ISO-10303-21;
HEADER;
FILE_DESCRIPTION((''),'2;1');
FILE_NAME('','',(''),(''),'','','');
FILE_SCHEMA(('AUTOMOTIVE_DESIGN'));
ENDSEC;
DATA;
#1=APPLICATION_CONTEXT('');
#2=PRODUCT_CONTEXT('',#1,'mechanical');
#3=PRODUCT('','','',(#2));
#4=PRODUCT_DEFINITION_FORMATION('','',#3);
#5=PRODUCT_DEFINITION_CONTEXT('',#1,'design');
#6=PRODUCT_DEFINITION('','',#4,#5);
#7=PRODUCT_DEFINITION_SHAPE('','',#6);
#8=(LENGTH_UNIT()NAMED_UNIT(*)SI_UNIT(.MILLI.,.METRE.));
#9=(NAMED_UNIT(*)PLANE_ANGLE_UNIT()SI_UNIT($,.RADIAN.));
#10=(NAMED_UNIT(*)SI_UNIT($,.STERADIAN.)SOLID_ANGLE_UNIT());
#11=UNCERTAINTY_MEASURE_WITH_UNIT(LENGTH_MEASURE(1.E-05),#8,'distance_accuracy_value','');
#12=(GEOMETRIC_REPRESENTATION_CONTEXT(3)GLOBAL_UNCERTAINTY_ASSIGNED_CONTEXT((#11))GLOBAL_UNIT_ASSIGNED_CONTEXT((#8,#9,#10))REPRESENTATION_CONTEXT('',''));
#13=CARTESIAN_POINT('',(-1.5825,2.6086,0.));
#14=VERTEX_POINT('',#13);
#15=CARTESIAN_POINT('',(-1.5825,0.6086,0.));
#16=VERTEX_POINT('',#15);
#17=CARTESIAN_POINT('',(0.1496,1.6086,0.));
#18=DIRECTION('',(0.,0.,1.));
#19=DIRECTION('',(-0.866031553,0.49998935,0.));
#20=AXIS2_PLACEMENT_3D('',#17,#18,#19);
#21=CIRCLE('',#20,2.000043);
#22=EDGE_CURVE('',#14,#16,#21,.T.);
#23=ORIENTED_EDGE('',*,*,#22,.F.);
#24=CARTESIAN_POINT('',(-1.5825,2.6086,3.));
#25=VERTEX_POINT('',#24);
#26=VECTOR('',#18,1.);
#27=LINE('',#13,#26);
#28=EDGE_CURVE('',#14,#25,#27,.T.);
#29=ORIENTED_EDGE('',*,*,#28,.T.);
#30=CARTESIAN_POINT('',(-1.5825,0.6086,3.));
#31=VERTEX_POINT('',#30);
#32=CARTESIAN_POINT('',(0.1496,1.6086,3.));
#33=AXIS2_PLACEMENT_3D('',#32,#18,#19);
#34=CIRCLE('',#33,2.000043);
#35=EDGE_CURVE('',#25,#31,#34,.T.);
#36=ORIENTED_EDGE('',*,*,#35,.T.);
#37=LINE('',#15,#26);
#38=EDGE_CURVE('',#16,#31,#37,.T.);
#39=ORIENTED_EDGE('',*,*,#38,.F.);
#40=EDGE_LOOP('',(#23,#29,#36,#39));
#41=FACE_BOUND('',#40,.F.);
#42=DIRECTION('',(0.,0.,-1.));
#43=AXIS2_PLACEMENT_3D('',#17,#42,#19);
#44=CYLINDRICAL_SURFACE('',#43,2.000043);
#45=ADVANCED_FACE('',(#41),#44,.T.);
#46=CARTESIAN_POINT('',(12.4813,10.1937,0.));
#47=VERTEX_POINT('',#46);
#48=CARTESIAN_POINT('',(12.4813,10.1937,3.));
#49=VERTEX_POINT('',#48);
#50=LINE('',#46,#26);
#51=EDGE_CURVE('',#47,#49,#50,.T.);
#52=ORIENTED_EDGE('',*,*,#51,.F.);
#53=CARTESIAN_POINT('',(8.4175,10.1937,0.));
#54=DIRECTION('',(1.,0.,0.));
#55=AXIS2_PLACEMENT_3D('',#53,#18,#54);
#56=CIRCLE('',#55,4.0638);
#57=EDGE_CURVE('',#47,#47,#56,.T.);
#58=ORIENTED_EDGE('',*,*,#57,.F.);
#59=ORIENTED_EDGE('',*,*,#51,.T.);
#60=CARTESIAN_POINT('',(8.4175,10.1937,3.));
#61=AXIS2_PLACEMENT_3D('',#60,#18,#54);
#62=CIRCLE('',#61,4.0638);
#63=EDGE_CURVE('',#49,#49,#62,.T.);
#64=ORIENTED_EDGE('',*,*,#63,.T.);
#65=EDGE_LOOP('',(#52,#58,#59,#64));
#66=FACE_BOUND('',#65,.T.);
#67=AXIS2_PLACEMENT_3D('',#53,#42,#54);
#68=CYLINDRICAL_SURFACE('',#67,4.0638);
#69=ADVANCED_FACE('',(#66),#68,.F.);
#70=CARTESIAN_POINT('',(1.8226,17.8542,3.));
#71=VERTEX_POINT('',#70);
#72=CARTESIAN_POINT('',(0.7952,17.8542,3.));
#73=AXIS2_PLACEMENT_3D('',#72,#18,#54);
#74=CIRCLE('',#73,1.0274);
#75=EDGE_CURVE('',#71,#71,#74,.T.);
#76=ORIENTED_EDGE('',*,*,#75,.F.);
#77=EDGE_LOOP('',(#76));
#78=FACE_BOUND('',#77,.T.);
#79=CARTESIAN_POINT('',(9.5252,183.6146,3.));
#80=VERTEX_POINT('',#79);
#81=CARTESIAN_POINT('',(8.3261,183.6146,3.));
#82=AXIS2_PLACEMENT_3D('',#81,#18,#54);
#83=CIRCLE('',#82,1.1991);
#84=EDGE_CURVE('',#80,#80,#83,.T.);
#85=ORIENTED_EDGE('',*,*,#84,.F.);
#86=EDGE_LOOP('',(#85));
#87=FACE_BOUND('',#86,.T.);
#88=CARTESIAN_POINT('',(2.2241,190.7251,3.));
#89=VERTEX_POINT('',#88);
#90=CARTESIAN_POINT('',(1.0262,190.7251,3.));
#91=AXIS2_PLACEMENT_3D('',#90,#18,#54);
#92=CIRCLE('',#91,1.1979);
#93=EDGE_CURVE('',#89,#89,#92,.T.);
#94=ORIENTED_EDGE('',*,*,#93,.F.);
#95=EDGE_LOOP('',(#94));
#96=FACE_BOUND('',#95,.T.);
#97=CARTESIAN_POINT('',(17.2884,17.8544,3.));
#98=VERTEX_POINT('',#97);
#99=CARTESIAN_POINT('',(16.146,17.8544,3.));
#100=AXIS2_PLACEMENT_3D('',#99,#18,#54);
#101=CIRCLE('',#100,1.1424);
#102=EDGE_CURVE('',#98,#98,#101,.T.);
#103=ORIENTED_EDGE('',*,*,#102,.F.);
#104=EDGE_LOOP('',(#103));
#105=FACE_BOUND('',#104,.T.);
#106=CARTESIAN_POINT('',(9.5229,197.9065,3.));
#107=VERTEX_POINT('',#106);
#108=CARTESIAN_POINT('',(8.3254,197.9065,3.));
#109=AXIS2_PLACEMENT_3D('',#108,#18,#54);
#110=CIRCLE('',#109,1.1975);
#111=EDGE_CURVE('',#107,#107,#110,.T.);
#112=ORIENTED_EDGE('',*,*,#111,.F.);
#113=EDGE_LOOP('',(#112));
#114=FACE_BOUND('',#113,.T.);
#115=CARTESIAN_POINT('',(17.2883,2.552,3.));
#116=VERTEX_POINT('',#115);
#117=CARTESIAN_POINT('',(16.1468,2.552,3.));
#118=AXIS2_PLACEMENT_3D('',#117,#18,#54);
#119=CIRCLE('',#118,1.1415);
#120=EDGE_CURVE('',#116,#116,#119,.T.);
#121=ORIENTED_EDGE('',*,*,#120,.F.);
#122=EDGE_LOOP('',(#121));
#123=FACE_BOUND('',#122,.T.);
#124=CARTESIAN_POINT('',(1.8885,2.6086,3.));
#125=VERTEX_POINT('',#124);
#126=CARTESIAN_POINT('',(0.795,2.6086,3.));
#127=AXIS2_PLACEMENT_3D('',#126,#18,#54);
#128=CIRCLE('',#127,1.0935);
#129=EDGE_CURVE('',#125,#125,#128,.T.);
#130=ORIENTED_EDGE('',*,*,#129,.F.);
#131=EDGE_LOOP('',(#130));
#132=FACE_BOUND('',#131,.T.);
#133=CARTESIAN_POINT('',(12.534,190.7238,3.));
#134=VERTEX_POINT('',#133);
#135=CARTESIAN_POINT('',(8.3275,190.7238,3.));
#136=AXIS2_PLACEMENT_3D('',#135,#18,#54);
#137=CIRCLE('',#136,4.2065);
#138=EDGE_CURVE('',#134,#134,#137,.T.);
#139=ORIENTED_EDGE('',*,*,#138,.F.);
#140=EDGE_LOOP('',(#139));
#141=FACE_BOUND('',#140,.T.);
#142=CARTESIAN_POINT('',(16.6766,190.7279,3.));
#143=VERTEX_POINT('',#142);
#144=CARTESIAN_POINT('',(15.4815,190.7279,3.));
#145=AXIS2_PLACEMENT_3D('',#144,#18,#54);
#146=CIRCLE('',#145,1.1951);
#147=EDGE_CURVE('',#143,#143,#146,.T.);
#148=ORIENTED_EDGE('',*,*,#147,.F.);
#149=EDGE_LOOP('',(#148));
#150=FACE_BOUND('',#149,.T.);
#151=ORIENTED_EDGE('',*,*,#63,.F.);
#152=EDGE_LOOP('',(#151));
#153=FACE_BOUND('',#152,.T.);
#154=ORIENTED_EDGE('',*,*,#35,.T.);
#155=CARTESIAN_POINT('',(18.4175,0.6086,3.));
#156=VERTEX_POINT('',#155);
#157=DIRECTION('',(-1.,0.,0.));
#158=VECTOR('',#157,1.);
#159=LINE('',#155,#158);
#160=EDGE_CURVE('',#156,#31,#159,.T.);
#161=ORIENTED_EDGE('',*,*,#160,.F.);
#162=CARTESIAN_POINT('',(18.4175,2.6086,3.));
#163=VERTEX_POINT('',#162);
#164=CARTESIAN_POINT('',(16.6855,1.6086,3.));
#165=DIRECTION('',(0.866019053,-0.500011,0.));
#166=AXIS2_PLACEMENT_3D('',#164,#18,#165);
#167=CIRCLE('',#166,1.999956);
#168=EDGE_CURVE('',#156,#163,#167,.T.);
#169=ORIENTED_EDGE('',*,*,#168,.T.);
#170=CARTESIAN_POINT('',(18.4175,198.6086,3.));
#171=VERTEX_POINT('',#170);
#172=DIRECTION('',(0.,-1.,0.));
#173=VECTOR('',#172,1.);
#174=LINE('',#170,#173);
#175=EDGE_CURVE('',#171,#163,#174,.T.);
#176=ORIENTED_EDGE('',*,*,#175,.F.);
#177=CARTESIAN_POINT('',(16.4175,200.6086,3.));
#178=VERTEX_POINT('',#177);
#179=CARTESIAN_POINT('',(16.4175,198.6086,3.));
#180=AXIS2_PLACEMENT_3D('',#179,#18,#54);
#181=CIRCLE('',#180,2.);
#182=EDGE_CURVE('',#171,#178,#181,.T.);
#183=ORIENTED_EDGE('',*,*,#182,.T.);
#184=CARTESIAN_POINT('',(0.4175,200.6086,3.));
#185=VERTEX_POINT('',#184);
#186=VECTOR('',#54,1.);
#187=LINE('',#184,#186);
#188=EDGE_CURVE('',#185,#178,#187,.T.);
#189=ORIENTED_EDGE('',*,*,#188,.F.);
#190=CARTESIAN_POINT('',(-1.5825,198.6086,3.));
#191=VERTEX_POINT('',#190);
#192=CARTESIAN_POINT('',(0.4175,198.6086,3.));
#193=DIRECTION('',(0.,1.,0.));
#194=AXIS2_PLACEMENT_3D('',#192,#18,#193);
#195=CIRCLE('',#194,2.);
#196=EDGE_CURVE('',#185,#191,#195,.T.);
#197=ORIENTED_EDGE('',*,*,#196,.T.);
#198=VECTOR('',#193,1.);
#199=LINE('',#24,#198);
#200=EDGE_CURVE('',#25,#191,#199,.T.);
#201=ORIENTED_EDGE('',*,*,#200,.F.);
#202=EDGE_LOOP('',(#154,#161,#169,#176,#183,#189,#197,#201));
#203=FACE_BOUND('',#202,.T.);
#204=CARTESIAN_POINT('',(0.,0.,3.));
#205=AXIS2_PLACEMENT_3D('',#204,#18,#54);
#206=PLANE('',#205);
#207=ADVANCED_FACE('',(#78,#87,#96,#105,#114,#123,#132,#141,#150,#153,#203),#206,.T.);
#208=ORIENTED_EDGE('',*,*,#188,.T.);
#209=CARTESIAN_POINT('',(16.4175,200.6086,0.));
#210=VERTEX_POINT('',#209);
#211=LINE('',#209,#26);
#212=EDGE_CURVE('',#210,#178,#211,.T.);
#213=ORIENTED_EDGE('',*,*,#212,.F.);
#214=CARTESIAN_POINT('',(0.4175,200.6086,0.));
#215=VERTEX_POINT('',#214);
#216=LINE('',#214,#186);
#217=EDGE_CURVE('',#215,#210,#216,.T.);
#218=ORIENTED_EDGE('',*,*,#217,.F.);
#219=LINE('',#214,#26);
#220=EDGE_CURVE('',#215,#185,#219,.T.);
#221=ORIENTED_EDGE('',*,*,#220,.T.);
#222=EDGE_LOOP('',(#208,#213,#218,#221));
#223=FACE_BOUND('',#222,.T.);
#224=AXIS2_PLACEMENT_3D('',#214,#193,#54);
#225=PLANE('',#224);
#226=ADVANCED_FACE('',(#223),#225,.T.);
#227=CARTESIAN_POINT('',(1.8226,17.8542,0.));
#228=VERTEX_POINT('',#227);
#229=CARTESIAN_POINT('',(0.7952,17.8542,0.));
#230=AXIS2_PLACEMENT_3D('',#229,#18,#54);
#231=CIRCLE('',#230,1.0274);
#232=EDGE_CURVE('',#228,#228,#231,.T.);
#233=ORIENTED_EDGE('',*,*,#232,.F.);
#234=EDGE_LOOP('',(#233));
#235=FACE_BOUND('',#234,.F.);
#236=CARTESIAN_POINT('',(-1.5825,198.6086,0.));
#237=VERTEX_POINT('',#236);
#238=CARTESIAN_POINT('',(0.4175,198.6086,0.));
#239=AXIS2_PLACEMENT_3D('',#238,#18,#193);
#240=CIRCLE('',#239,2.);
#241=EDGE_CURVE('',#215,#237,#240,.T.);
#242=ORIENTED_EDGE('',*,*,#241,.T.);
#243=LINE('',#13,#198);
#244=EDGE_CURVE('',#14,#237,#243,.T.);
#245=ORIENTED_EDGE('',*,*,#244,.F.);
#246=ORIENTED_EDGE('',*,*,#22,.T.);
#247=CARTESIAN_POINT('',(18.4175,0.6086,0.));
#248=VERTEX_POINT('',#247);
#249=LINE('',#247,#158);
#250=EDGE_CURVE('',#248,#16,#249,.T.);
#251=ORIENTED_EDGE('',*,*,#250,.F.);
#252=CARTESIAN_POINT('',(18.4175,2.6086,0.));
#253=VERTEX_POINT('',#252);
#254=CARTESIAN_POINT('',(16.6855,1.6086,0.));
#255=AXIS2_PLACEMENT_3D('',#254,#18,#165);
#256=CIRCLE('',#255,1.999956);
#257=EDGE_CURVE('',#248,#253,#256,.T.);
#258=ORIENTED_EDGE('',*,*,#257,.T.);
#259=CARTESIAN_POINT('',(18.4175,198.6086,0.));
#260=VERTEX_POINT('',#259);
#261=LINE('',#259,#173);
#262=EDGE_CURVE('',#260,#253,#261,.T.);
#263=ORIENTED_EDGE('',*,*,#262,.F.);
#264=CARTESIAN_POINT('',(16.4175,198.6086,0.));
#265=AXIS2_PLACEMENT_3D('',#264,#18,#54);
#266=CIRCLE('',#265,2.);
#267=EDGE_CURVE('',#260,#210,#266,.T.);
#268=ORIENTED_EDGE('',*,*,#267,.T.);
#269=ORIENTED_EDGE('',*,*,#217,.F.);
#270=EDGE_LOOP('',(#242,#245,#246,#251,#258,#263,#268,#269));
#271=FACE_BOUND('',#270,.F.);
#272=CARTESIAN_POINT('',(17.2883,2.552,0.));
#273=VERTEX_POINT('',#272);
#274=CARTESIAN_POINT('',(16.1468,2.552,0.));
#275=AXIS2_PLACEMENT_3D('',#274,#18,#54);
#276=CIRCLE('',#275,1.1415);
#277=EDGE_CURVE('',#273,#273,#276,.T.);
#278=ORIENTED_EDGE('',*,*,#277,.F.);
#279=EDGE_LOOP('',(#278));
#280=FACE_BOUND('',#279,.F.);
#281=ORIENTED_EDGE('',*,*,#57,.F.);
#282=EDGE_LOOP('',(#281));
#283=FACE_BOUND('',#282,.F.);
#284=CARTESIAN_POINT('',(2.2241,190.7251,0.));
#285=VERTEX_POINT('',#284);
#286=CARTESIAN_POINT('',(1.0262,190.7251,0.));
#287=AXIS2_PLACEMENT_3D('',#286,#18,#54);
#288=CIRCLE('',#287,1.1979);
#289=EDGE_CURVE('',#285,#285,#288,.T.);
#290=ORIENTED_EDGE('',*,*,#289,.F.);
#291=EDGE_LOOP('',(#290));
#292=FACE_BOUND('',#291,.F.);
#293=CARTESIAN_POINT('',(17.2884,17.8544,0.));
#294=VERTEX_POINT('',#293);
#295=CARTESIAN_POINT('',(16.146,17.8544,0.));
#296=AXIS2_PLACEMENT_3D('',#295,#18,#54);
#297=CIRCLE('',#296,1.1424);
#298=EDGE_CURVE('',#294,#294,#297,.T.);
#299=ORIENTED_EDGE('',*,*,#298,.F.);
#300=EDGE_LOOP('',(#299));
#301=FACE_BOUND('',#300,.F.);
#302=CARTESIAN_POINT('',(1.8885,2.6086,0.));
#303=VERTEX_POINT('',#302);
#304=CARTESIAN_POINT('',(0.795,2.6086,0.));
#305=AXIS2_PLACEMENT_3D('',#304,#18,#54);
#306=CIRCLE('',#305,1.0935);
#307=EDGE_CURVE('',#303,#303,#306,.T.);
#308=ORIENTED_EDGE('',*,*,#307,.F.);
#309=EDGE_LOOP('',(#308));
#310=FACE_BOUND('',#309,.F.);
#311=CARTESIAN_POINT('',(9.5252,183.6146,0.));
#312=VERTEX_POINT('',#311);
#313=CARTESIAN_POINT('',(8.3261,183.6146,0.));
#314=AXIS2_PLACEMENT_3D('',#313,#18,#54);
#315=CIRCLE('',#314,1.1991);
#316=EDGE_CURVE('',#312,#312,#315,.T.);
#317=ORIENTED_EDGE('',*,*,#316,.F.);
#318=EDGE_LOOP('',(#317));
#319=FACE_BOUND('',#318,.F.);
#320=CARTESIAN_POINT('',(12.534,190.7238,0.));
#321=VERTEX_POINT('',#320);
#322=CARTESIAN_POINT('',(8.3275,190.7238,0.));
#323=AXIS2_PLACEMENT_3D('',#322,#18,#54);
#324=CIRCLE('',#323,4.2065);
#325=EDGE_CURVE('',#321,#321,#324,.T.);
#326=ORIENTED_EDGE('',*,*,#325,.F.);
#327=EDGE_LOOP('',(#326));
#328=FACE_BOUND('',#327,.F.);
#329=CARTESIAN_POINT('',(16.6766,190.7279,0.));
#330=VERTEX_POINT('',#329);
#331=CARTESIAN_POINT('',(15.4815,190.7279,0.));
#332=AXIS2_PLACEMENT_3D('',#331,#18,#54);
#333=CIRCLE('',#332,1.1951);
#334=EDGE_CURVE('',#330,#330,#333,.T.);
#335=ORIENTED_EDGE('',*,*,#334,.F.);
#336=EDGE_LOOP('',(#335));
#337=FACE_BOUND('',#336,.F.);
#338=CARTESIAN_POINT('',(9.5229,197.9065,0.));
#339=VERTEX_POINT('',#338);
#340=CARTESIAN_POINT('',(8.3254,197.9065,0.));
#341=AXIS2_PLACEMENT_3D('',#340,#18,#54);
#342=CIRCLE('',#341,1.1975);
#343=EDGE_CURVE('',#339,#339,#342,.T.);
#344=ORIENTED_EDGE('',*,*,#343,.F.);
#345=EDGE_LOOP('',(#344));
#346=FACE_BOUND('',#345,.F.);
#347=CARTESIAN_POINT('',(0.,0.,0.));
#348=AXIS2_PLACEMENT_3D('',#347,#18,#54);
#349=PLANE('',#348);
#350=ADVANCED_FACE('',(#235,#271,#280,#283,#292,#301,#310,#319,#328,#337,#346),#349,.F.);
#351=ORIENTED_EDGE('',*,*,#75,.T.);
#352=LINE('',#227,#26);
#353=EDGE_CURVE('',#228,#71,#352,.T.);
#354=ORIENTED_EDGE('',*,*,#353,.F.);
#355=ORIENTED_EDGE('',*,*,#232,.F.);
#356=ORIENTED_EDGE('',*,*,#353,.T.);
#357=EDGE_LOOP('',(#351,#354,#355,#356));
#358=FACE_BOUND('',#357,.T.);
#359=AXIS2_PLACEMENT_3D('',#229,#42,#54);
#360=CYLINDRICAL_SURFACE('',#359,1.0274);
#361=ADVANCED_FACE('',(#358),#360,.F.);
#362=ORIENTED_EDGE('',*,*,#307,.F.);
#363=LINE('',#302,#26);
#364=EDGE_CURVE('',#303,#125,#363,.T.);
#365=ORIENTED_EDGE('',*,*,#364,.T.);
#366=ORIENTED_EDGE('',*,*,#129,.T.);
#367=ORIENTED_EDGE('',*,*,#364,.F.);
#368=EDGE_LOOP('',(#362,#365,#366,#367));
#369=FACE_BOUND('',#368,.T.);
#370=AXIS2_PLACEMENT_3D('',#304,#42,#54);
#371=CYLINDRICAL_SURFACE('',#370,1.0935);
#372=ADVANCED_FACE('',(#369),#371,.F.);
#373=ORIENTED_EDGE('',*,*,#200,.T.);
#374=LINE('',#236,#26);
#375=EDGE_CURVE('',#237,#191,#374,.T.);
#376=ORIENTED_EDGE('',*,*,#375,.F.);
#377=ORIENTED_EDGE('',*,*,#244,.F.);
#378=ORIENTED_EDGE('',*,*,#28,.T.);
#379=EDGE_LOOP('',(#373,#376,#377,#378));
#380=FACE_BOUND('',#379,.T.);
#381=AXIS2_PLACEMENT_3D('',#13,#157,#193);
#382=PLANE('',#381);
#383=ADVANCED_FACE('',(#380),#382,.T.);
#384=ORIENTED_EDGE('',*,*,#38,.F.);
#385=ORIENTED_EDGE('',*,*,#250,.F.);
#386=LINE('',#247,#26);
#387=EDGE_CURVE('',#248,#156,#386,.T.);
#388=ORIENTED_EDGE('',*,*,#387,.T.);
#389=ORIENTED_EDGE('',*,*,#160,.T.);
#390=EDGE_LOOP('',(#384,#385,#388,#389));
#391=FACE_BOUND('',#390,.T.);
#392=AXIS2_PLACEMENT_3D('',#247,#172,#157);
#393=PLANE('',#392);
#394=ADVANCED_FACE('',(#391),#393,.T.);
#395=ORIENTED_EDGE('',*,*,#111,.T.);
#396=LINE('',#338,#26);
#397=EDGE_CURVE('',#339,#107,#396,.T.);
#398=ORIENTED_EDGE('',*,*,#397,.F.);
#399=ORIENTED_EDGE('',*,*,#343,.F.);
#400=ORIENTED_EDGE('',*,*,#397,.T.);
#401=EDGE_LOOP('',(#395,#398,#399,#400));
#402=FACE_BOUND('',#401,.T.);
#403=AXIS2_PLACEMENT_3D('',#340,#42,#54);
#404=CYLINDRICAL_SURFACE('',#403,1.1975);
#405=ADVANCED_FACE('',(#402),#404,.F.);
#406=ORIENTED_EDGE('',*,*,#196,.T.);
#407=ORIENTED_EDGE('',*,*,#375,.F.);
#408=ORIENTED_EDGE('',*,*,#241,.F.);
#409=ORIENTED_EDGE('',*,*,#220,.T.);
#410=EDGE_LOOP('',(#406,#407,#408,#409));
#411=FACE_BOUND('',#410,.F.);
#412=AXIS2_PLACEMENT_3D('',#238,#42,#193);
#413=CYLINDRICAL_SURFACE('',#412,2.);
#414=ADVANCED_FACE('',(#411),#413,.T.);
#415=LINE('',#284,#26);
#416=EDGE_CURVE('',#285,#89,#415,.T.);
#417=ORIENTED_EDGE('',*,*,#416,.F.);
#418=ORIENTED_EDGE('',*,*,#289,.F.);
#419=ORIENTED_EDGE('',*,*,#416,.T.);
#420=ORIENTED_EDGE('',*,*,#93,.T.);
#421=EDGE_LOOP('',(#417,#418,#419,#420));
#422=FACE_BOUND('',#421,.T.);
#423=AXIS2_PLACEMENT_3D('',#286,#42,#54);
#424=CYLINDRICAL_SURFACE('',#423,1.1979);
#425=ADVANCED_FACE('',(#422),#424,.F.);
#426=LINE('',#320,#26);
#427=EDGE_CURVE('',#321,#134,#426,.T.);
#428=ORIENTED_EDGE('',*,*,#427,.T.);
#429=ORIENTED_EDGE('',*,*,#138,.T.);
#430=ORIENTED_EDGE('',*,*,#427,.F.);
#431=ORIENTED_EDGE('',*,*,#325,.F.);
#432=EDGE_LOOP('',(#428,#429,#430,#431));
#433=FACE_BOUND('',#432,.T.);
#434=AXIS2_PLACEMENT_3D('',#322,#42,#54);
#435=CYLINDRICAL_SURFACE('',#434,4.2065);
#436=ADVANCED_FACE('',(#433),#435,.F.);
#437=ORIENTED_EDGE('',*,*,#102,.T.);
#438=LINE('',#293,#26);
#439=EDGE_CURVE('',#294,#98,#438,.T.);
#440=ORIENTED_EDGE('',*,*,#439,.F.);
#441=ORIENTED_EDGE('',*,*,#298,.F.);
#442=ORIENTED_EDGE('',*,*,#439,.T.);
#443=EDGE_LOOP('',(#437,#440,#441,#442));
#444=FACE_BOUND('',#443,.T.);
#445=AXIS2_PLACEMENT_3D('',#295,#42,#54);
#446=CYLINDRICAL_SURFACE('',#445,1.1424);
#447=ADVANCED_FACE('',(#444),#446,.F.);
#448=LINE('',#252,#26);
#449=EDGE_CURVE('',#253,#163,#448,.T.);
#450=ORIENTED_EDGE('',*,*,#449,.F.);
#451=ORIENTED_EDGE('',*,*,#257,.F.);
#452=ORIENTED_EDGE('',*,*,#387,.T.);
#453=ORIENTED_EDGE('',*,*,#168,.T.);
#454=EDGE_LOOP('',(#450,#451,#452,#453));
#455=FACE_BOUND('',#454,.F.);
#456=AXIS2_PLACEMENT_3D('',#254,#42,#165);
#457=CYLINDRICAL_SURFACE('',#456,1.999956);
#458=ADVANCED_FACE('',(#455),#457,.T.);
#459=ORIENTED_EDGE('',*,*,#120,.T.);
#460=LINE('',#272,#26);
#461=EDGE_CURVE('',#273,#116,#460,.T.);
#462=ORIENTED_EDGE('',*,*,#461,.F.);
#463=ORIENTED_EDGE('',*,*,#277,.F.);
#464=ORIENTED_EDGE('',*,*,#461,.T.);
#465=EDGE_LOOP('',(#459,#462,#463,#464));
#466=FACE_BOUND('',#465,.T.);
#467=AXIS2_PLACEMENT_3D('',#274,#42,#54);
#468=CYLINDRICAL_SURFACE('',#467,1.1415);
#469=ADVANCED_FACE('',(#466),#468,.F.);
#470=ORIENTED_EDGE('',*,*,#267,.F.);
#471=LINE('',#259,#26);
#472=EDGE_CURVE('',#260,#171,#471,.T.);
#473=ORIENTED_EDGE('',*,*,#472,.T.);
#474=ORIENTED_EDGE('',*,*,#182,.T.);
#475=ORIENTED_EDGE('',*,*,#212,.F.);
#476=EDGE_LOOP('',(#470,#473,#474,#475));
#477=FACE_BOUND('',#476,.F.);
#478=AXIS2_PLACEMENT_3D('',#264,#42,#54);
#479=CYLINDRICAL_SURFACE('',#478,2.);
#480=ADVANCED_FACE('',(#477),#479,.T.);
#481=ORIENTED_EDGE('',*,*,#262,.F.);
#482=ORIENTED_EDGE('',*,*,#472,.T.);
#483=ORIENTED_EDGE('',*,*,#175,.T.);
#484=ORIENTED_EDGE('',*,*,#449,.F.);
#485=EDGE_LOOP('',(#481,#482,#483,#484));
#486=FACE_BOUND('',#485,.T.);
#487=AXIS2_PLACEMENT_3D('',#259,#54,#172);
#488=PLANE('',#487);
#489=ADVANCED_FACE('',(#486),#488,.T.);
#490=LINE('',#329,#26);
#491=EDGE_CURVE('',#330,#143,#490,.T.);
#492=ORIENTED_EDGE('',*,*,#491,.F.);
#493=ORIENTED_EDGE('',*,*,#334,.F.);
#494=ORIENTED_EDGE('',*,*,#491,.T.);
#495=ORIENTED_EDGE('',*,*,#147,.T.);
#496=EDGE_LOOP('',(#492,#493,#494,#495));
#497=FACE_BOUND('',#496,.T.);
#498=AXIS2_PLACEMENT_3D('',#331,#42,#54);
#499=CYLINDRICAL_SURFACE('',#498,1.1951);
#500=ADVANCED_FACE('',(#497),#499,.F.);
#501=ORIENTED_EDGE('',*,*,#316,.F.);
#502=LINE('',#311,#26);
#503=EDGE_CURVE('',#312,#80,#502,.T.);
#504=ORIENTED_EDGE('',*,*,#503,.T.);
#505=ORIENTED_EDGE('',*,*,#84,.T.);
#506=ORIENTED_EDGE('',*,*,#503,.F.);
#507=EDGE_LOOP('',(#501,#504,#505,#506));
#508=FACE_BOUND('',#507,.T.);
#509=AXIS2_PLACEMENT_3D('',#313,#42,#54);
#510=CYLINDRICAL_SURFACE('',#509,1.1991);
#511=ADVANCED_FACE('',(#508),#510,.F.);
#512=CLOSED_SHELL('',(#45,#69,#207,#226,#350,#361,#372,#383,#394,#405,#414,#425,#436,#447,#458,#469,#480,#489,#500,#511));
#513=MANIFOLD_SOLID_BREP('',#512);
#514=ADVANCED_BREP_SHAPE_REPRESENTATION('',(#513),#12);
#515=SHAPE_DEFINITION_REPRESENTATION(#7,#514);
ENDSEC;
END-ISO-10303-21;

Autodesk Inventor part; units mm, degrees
ref_plane "YZ Plane" through (0, 0, 0) normal (1, 0, 0) x (0, 1, 0)
ref_plane "XZ Plane" through (0, 0, 0) normal (0, 1, 0) x (-1, 0, 0)
ref_plane "XY Plane" through (0, 0, 0) normal (0, 0, 1) x (1, 0, 0)
ref_plane "РабПлоскость1" through (0, 0, 0) normal (0, 0, 1) x (1, 0, 0)
sketch "Эскиз1" plane through (0, 0, 0) normal (0, 0, 1) x (1, 0, 0)
  line L0 (0.4175, 200.6086) -> (16.4175, 200.6086)
  line L1 (18.4175, 198.6086) -> (18.4175, 2.6086)
  line L2 (18.4175, 0.6086) -> (-1.5825, 0.6086)
  line L3 (-1.5825, 2.6086) -> (-1.5825, 198.6086)
  circle A0 centre (16.146, 17.8544) radius 1.1424
  circle A1 centre (16.1468, 2.552) radius 1.1415
  circle A2 centre (8.4175, 10.1937) radius 4.0638
  circle A3 centre (0.795, 2.6086) radius 1.0935
  circle A4 centre (0.7952, 17.8542) radius 1.0274
  line L4 (8.4175, 200.6086) -> (8.4175, 0.6086) construction
  arc A5 (18.4175, 0.6086) -> (18.4175, 2.6086) centre (16.6855, 1.6086) ccw
  arc A6 (-1.5825, 2.6086) -> (-1.5825, 0.6086) centre (0.1496, 1.6086) ccw
  circle A7 centre (8.3261, 183.6146) radius 1.1991 projected
  circle A8 centre (15.4815, 190.7279) radius 1.1951 projected
  circle A9 centre (8.3254, 197.9065) radius 1.1975 projected
  circle A10 centre (1.0262, 190.7251) radius 1.1979 projected
  circle A11 centre (8.3275, 190.7238) radius 4.2065 projected
  arc A12 (0.4175, 200.6086) -> (-1.5825, 198.6086) centre (0.4175, 198.6086) ccw
  arc A13 (18.4175, 198.6086) -> (16.4175, 200.6086) centre (16.4175, 198.6086) ccw
  point P0 (18.4175, 0.6086)
  point P1 (18.4175, 200.6086)
  point P2 (-1.5825, 0.6086)
  dimension "d0" = 200
  dimension "d1" = 20
  dimension "d3" = 2
  dimension "d4" = 2
  dimension "d5" = 2
extrude "Выдавливание1" add sketch "Эскиз1" along normal blind 3
properties part number "рука"
